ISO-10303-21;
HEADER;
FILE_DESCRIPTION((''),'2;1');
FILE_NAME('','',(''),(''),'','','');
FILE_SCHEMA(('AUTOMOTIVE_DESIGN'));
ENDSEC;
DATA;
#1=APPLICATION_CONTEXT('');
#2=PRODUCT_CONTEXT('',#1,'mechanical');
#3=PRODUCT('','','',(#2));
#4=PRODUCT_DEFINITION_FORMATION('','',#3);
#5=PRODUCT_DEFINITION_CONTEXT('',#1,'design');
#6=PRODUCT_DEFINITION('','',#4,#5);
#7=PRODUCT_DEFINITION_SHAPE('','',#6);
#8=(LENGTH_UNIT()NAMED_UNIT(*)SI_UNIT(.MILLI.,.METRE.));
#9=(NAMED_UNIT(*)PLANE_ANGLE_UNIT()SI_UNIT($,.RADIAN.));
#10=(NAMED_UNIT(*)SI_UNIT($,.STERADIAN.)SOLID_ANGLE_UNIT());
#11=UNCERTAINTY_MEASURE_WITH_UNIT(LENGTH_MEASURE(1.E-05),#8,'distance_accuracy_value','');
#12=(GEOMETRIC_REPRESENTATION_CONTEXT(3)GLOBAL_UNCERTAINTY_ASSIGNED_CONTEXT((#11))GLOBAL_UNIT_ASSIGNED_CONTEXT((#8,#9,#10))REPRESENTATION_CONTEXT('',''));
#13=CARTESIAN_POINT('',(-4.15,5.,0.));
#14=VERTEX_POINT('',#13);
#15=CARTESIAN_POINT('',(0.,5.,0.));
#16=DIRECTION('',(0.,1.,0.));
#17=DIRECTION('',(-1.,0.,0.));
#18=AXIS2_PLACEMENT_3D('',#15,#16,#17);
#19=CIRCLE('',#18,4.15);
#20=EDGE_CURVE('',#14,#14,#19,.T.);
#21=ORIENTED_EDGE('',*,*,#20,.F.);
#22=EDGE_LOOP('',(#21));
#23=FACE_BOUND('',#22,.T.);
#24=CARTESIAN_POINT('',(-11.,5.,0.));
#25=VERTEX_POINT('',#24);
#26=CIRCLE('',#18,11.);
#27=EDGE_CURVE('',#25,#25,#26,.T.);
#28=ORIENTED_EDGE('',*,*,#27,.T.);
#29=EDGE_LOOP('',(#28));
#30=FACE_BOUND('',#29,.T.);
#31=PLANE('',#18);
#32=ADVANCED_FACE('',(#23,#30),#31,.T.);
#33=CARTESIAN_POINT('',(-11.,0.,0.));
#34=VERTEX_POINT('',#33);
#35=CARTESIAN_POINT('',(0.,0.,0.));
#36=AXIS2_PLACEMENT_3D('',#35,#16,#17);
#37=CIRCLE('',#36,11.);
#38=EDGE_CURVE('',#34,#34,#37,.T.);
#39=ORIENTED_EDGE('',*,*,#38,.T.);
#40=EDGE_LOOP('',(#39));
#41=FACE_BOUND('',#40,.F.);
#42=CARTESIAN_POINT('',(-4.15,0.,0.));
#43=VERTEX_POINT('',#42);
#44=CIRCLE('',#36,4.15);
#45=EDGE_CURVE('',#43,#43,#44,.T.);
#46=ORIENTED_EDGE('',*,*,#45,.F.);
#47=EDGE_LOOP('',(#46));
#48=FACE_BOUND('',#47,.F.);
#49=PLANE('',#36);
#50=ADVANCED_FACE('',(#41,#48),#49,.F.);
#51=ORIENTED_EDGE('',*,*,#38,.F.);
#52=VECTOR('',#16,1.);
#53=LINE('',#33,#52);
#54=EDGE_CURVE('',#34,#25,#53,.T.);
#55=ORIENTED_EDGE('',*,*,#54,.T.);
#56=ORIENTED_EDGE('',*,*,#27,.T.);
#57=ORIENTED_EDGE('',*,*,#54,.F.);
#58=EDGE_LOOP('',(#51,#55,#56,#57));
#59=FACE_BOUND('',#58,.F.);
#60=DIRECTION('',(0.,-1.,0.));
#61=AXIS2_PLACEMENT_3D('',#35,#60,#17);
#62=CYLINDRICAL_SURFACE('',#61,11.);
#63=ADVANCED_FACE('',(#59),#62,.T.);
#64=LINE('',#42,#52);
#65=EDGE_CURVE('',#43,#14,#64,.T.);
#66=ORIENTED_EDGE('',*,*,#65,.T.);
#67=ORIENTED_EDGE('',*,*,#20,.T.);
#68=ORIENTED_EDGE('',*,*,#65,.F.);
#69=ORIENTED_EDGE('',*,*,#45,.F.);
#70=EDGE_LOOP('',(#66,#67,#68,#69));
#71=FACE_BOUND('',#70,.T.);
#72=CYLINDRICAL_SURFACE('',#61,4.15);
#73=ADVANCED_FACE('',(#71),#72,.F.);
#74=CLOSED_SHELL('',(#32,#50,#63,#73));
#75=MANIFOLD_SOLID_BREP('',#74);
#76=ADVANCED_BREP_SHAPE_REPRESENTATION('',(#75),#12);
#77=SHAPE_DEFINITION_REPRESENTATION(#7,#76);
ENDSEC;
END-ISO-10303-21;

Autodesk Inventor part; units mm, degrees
ref_plane "YZ Plane" through (0, 0, 0) normal (1, 0, 0) x (0, 1, 0)
ref_plane "XZ Plane" through (0, 0, 0) normal (0, 1, 0) x (-1, 0, 0)
ref_plane "XY Plane" through (0, 0, 0) normal (0, 0, 1) x (1, 0, 0)
sketch "草图1" plane through (0, 0, 0) normal (0, 1, 0) x (-1, 0, 0)
  circle A0 centre (0, 0) radius 11
  circle A1 centre (0, 0) radius 4.15
  dimension "d0" = 22
  dimension "d1" = 8.3
extrude "拉伸1" add sketch "草图1" along normal blind 5
properties part number "leg6"
